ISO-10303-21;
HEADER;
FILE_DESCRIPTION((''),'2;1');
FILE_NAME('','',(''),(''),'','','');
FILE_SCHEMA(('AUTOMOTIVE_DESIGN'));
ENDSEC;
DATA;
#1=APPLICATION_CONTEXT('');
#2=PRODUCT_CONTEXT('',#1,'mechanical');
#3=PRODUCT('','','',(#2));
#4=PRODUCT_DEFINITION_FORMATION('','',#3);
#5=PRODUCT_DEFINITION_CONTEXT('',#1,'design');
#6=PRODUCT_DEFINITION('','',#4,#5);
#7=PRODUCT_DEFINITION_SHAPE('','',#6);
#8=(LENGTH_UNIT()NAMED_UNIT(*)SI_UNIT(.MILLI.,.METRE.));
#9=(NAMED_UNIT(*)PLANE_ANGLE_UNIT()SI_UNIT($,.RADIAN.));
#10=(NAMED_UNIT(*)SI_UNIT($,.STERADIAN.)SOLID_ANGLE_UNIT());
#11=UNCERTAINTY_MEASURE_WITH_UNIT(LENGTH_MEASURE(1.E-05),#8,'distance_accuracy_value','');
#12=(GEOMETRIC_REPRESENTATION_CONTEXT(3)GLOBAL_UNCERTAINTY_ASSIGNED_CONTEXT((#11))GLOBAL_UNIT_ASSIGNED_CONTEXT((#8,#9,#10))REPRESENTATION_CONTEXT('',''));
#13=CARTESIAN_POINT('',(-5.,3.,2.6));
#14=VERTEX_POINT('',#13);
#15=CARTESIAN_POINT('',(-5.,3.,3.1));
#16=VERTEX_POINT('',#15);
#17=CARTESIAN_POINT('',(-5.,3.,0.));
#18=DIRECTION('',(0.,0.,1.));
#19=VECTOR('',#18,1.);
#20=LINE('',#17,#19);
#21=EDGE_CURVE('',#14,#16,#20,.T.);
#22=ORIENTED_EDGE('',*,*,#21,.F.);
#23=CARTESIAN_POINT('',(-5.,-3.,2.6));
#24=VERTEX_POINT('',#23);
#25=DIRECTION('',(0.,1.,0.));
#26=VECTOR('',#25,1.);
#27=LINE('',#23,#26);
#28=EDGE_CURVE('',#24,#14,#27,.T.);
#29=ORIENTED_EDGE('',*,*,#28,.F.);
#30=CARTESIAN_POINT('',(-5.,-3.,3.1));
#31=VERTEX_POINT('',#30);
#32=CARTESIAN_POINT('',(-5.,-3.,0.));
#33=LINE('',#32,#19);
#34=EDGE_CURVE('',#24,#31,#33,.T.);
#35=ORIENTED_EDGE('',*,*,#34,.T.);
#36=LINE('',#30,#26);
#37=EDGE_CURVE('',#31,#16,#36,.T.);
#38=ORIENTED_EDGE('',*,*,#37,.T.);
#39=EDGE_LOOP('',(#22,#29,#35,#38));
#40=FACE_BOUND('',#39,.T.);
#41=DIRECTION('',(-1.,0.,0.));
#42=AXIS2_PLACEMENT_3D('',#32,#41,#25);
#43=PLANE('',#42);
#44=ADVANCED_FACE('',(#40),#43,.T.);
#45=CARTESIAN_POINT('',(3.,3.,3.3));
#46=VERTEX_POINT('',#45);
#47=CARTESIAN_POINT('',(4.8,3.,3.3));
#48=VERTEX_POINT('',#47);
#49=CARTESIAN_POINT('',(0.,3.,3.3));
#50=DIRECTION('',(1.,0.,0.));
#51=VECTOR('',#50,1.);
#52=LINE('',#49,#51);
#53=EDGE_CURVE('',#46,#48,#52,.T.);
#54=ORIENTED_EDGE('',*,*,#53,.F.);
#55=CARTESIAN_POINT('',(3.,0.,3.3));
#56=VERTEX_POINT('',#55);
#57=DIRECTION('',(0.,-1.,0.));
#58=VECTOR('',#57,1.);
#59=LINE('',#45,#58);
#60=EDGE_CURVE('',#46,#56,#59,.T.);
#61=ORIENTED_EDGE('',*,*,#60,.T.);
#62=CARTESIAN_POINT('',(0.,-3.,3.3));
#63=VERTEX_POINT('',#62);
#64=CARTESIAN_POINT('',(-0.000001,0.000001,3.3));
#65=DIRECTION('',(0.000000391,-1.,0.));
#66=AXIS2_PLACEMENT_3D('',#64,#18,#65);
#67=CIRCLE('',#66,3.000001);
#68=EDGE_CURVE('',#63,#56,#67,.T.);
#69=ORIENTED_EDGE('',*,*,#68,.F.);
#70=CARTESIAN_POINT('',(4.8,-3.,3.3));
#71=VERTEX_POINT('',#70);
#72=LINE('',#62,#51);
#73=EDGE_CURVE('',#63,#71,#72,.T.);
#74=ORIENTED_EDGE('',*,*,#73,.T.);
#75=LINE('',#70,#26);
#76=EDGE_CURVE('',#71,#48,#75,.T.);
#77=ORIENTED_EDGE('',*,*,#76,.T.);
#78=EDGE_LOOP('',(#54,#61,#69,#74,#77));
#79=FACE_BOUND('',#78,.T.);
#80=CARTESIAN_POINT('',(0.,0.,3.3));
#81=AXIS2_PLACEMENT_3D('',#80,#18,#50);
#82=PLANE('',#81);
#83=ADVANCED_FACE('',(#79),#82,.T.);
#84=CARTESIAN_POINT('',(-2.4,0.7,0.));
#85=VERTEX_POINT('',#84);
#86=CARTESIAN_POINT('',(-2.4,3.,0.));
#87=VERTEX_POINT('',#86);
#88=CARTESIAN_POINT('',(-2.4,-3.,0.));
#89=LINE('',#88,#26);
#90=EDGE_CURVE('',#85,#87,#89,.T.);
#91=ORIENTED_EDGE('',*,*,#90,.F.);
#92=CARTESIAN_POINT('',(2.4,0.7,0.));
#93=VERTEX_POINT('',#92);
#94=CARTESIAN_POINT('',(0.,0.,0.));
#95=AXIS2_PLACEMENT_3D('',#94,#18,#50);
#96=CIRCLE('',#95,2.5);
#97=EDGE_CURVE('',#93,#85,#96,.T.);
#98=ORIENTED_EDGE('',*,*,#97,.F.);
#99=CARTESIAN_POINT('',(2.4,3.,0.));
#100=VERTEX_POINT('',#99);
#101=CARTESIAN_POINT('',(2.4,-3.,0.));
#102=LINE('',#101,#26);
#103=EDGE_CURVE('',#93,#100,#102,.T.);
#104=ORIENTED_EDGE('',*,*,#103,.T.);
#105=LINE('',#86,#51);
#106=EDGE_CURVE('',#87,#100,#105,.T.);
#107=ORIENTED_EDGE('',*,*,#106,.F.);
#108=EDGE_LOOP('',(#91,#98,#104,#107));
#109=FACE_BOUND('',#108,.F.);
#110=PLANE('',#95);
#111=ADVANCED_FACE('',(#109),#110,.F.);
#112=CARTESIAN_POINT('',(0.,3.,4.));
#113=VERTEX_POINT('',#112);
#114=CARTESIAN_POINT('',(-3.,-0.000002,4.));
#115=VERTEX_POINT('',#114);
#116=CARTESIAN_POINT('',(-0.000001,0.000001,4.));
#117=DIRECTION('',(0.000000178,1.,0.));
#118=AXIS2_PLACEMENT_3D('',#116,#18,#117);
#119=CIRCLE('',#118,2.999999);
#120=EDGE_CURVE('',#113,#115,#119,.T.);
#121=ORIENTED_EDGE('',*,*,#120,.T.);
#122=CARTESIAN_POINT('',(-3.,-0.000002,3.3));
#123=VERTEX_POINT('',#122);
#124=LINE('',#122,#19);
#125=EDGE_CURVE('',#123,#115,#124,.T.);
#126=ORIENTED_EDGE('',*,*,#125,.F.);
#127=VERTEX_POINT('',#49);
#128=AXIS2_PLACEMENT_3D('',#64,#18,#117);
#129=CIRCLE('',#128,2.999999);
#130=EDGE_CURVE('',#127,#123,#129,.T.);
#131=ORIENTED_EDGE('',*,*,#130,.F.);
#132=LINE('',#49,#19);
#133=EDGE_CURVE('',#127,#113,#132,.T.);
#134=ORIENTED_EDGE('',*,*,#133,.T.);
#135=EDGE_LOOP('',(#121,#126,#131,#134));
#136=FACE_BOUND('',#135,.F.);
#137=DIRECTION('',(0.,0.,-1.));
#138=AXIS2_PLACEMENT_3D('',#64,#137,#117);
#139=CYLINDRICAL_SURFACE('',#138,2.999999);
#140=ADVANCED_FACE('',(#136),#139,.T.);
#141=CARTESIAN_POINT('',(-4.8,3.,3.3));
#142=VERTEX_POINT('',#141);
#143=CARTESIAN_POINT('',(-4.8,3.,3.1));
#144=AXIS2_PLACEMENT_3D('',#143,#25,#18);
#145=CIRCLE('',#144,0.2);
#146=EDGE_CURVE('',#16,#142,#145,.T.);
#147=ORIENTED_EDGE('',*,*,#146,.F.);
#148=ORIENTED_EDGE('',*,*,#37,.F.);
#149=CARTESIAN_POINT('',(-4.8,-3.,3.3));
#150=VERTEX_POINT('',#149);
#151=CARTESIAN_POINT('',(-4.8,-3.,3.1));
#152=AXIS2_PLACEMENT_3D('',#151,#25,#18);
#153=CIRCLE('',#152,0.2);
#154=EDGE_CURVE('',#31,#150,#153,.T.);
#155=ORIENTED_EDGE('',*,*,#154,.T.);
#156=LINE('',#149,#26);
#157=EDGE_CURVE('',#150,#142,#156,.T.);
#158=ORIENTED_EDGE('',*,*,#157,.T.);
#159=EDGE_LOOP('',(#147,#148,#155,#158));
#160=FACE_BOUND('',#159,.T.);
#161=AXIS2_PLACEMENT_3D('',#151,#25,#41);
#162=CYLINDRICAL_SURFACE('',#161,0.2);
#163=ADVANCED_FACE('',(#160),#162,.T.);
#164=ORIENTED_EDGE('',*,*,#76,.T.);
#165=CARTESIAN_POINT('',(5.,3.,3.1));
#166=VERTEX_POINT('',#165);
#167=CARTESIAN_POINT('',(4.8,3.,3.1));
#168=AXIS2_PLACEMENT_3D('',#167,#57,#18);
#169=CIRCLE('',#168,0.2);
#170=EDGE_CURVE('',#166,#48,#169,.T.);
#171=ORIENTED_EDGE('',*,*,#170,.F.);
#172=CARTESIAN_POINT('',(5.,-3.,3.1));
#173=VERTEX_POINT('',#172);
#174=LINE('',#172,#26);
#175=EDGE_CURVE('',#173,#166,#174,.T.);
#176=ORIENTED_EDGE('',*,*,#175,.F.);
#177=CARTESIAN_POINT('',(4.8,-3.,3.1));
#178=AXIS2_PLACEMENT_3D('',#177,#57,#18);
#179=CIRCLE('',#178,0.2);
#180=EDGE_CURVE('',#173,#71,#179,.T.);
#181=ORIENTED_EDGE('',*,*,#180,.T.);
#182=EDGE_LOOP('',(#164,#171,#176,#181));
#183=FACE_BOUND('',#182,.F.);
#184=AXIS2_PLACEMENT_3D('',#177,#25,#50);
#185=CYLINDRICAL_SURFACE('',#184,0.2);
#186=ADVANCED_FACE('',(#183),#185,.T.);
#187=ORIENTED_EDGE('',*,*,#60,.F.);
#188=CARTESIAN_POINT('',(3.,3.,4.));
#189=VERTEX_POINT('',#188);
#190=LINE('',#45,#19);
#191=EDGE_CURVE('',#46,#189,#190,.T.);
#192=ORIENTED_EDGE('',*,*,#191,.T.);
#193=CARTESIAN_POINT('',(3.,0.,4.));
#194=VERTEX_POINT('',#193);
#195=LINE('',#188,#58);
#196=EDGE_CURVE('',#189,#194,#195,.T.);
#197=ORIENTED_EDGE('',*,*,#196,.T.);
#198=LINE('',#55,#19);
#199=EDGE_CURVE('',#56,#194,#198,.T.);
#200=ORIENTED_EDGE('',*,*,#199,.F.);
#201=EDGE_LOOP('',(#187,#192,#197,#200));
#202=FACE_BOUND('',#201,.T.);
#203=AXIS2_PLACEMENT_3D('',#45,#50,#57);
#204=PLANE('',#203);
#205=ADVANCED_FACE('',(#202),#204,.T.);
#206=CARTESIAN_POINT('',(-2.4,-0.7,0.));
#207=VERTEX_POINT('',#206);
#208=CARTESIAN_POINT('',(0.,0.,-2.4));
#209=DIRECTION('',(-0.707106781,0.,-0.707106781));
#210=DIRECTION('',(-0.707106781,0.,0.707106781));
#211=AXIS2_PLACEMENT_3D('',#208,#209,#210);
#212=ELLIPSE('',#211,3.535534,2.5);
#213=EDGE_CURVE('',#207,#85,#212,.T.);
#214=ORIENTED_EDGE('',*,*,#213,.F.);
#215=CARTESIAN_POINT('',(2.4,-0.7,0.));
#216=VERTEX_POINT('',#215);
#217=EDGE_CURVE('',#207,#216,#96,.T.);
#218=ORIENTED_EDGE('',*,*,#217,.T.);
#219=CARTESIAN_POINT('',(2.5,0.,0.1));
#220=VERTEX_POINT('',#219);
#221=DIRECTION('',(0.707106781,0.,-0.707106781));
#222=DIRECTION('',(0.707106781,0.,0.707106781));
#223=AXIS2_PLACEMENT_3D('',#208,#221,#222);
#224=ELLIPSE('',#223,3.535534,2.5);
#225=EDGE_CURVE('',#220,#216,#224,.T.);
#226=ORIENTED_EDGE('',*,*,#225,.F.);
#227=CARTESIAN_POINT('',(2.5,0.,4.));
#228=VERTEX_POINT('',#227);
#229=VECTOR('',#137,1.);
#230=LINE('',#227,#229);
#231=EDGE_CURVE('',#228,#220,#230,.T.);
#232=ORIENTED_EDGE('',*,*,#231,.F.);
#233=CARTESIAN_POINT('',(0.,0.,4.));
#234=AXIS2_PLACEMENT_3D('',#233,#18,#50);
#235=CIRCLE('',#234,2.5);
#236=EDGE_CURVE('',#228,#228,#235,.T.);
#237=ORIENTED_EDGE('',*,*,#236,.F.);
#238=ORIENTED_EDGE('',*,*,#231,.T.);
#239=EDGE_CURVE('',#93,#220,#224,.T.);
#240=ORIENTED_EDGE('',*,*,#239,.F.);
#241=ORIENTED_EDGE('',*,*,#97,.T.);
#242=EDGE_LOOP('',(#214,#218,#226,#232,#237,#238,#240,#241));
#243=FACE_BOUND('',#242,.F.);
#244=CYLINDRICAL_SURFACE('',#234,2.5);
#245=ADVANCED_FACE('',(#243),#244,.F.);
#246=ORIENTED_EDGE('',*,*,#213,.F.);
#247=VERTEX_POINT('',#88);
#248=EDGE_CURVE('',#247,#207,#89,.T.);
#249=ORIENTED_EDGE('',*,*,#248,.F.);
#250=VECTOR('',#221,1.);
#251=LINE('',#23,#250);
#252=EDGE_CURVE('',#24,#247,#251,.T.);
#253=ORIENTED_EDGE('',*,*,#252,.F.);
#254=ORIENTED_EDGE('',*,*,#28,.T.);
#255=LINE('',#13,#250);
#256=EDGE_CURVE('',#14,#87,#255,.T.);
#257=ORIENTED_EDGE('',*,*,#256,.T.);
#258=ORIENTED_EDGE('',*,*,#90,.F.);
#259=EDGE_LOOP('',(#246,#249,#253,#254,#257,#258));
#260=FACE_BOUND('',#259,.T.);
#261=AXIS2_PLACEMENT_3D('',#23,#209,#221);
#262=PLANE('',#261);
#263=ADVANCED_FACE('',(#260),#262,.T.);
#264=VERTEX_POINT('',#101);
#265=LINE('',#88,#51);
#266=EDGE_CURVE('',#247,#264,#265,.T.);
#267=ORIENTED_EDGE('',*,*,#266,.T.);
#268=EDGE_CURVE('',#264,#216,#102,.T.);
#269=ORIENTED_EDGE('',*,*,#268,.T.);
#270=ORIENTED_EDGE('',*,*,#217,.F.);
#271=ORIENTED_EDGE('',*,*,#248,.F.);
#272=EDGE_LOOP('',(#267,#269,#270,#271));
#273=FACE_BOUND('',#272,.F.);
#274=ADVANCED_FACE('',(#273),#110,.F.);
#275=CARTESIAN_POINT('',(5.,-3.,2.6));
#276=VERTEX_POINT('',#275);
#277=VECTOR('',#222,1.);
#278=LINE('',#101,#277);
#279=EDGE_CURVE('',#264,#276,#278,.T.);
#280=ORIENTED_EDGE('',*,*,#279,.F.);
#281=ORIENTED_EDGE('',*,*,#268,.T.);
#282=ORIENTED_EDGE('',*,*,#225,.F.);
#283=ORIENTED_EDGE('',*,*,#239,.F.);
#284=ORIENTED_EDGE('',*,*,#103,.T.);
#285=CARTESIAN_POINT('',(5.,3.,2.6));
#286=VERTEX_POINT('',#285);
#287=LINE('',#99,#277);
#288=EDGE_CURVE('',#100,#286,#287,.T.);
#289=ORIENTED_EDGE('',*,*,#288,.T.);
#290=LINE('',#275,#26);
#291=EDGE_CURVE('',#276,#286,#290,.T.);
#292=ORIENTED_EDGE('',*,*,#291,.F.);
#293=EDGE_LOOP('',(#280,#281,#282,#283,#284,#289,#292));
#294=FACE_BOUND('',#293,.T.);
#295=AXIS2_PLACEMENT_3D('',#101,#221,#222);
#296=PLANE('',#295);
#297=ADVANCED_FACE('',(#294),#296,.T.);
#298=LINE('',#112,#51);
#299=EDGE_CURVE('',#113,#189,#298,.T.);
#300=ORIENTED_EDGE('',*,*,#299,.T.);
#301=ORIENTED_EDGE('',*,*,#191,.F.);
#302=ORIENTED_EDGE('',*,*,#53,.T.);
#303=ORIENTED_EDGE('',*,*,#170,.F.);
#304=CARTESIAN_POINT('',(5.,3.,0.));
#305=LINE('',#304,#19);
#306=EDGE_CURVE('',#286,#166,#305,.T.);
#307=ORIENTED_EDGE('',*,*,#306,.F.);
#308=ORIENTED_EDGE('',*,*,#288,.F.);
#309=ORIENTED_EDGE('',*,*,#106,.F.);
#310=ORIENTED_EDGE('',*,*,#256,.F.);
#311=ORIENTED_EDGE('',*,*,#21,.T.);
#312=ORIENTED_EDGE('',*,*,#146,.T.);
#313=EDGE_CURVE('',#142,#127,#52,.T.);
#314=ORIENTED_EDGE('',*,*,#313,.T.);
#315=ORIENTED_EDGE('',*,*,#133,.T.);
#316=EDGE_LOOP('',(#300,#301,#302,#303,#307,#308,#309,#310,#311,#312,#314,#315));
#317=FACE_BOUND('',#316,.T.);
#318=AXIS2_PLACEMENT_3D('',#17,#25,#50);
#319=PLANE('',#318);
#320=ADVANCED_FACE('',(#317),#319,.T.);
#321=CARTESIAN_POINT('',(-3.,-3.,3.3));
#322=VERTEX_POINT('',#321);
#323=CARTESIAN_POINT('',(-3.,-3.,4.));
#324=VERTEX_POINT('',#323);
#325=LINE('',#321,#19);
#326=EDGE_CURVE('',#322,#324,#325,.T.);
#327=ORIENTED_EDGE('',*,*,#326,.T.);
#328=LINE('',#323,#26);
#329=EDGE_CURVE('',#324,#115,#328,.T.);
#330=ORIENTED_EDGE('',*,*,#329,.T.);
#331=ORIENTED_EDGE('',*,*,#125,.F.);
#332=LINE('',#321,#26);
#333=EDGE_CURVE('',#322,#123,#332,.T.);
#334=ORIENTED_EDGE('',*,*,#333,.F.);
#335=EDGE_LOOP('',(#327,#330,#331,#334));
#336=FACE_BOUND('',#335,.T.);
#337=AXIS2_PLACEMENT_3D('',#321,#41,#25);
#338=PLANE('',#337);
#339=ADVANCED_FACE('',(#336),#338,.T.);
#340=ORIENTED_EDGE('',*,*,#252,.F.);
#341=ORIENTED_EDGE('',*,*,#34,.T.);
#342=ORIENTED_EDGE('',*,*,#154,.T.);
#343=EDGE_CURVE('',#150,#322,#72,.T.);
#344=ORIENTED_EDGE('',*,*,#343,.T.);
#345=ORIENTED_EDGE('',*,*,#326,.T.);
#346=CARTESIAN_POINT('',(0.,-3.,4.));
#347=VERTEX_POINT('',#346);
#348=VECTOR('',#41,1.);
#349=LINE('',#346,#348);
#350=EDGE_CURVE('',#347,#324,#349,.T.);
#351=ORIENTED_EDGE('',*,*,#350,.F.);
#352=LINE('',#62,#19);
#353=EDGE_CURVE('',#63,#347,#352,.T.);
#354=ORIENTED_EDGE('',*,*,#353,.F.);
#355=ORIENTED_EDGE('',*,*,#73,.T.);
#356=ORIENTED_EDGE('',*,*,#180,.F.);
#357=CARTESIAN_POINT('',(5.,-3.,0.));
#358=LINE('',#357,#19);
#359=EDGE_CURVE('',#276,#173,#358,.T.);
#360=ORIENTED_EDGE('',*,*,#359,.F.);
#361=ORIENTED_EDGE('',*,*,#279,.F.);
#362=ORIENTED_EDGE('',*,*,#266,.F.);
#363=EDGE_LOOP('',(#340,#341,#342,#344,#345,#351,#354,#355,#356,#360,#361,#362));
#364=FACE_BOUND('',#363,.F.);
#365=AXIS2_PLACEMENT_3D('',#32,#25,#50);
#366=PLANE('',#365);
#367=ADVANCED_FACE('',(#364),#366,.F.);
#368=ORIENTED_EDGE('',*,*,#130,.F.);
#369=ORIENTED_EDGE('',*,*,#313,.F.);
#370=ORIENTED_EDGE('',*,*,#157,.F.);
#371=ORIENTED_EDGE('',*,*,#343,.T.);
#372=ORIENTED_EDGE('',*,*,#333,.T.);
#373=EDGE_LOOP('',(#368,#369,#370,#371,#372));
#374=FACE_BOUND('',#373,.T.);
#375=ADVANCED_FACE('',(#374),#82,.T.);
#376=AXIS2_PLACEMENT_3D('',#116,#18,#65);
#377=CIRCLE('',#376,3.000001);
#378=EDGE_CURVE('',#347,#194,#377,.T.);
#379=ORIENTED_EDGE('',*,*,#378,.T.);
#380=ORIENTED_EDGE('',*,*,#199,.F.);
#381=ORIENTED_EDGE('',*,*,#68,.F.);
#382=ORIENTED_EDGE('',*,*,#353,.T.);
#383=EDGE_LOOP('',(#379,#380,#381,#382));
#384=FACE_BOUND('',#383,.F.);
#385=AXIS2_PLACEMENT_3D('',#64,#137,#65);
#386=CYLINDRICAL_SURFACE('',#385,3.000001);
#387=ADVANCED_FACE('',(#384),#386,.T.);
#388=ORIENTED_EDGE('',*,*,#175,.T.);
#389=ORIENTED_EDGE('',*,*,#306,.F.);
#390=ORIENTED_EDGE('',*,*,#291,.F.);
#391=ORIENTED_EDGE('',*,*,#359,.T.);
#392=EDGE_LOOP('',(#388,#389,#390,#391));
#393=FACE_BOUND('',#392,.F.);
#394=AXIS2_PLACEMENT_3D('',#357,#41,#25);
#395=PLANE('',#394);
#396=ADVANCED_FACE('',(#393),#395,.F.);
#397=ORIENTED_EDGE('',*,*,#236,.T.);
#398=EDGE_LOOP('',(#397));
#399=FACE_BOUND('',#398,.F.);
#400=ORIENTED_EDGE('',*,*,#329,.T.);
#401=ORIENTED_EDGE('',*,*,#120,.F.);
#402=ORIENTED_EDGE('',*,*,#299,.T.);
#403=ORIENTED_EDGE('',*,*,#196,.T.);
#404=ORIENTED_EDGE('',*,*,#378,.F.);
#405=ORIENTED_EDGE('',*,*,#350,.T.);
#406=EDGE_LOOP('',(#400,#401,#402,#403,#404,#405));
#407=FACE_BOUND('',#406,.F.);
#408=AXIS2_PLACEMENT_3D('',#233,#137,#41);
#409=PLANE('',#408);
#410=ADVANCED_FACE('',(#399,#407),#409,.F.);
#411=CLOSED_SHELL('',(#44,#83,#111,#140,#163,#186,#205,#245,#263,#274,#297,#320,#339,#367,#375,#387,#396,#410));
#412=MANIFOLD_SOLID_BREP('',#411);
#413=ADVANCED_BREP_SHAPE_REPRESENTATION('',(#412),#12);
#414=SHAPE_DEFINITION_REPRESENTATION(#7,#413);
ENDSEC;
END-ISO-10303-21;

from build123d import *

# Parameters (mm, degrees)
SKETCH_W        = 10
SKETCH_H        = 6
PAD_DEPTH       = 3.3
PAD001_DEPTH    = 0.7
SKETCH002_R     = 2.5
POCKET_DEPTH    = 5
POCKET001_DEPTH = 6
FILLET_R        = 0.2


with BuildPart() as part:
    # Sketch → Pad (new body)
    with BuildSketch(Plane.XY):
        Rectangle(SKETCH_W, SKETCH_H)
    extrude(amount=PAD_DEPTH)

    # Sketch001 (on Face6 of Pad) → Pad001 (join)
    with BuildSketch(Plane.XY.offset(3.3)):
        with BuildLine():
            Line((0, 3), (3, 3))
            Line((3, 3), (3, 0))
            ThreePointArc((0, -3), (2.12132, -2.12132), (3, 0))
            Line((0, -3), (-3, -3))
            Line((-3, -3), (-3, -2e-06))
            ThreePointArc((0, 3), (-2.121321, 2.12132), (-3, -2e-06))
        make_face()
    extrude(amount=PAD001_DEPTH)

    # Sketch002 (on Face12 of Pad001) → Pocket (cut)
    with BuildSketch(Plane.XY.offset(4)):
        Circle(SKETCH002_R)
    extrude(amount=-POCKET_DEPTH, mode=Mode.SUBTRACT)

    # Sketch003 (on Face8 of Pocket) → Pocket001 (cut)
    with BuildSketch(Plane.XZ.offset(3)):
        Polygon((-2.4, 0), (2.4, 0), (5, 2.6), (7.104516, 2.6), (7.104516, -2.6), (-7.104516, -2.6), (-7.104516, 2.6), (-5, 2.6), align=None)
    extrude(amount=-POCKET001_DEPTH, mode=Mode.SUBTRACT)

    # Fillet
    fillet_edges = [part.edges().sort_by_distance(p)[0] for p in [
        (-5, 0, 3.3),
        (5, 0, 3.3),
    ]]
    fillet(fillet_edges, radius=FILLET_R)


solid = part.part
